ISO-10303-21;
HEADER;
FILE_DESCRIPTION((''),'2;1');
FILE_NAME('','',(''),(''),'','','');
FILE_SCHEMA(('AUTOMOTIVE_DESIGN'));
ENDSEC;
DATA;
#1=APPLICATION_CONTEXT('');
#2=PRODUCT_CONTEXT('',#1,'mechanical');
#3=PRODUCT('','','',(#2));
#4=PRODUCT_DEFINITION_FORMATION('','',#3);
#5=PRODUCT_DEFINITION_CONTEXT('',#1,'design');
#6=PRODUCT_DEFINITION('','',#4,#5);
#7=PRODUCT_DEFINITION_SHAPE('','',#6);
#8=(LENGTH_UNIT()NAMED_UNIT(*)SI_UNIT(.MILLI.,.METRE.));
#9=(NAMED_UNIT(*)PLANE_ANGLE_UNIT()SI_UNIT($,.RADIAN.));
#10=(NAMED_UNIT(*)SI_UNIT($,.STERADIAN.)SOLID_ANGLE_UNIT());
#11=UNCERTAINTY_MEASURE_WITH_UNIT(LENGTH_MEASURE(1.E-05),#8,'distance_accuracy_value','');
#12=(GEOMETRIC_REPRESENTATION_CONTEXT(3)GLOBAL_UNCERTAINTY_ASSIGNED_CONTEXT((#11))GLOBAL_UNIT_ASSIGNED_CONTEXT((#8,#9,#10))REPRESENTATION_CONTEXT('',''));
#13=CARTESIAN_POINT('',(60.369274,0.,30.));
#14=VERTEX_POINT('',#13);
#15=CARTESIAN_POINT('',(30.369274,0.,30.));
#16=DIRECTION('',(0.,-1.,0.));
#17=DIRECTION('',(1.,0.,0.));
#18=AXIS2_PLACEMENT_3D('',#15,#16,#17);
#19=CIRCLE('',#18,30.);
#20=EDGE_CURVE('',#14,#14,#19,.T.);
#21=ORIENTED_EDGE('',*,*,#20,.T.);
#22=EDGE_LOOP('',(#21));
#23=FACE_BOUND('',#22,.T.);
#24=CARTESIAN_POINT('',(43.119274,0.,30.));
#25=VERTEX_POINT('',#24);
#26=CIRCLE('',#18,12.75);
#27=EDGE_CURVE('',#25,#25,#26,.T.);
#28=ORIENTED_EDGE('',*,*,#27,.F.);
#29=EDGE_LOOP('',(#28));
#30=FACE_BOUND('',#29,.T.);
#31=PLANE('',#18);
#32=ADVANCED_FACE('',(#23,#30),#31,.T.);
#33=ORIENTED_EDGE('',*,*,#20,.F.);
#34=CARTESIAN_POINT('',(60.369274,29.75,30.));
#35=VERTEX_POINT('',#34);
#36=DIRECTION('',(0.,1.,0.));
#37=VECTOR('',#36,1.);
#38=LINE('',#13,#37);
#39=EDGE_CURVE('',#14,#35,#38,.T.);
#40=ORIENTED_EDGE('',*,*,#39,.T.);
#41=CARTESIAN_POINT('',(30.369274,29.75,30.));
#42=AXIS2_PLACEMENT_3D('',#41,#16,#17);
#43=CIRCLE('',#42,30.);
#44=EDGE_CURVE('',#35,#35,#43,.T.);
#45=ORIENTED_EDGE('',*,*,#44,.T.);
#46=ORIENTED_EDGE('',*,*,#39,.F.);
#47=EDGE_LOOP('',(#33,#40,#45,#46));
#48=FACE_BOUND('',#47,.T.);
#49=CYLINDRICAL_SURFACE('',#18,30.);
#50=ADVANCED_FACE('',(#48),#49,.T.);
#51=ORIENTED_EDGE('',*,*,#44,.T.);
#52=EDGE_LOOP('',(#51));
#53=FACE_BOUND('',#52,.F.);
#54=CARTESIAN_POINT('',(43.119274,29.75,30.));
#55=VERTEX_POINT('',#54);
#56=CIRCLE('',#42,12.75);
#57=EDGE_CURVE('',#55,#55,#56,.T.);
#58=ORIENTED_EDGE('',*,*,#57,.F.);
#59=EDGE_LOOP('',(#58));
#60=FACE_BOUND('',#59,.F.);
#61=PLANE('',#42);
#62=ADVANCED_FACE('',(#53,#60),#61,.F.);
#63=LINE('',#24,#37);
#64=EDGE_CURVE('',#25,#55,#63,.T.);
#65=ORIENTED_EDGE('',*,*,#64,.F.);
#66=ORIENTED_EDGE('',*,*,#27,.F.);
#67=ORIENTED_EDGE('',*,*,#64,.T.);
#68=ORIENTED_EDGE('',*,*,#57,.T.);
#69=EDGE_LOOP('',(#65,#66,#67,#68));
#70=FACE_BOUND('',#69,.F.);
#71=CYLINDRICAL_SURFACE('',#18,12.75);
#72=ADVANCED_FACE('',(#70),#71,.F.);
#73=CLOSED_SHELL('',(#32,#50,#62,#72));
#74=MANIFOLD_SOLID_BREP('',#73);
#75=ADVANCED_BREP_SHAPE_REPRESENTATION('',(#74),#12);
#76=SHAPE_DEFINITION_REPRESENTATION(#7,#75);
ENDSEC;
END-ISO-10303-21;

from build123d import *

# Parameters (mm, degrees)
F0_R     = 30
F0_R_2   = 12.75
F2_DEPTH = 29.75


with BuildPart() as f2:
    # F0 (on Front) → F2 (new body, through all)
    with BuildSketch(Plane.XZ):
        with Locations((30.369274, 30)):
            Circle(F0_R)
        with Locations((30.369274, 30)):
            Circle(F0_R_2, mode=Mode.SUBTRACT)
    extrude(amount=-F2_DEPTH)


solid = f2.part
